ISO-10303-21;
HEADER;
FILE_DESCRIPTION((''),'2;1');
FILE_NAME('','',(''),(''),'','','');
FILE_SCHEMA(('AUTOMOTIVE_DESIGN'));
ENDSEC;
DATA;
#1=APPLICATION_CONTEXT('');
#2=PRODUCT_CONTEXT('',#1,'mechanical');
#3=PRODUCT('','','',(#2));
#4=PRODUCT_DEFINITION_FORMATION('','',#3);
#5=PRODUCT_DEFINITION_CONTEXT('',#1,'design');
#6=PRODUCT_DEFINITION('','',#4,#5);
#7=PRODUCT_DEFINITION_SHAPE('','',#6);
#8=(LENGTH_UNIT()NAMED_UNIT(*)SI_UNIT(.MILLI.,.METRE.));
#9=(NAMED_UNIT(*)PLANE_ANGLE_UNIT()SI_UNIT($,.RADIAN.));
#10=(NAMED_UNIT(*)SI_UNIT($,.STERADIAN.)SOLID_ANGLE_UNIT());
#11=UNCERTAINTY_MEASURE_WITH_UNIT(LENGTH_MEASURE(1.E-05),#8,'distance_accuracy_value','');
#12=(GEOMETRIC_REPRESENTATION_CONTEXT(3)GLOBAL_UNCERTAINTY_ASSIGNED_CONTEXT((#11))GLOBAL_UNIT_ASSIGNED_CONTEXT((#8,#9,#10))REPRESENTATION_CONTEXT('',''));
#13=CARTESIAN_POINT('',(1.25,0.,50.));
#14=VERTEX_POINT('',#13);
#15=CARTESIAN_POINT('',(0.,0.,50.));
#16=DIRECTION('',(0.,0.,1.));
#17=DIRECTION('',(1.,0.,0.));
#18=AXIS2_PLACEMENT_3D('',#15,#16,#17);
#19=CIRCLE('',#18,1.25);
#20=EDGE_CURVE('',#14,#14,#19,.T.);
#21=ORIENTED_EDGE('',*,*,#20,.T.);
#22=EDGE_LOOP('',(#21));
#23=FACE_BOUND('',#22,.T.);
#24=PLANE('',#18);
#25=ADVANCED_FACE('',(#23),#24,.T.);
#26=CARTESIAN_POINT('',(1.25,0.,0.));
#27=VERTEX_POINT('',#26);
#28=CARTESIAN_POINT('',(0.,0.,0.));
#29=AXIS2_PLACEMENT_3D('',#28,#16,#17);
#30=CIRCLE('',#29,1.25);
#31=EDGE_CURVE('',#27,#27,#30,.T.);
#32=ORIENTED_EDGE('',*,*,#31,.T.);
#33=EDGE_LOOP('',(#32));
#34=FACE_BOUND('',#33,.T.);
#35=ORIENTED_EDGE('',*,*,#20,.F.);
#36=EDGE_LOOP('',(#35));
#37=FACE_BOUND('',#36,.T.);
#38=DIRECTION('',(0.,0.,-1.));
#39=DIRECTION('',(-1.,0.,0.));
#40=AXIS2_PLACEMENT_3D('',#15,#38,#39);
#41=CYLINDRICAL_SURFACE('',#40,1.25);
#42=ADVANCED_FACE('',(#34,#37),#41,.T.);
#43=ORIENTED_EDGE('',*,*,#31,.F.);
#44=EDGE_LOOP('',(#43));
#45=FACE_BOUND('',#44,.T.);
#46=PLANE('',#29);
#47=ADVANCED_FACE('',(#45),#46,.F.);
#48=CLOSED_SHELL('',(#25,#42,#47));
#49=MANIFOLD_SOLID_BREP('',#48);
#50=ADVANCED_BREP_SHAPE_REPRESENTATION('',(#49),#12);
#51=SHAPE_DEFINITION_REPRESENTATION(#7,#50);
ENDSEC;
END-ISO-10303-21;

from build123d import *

# Parameters (mm, degrees)
SKETCH1_R           = 1.25
BOSS_EXTRUDE1_DEPTH = 50


with BuildPart() as part:
    # Sketch1 → Boss-Extrude1 (new body)
    with BuildSketch(Plane.XY):
        Circle(SKETCH1_R)
    extrude(amount=BOSS_EXTRUDE1_DEPTH)


solid = part.part
